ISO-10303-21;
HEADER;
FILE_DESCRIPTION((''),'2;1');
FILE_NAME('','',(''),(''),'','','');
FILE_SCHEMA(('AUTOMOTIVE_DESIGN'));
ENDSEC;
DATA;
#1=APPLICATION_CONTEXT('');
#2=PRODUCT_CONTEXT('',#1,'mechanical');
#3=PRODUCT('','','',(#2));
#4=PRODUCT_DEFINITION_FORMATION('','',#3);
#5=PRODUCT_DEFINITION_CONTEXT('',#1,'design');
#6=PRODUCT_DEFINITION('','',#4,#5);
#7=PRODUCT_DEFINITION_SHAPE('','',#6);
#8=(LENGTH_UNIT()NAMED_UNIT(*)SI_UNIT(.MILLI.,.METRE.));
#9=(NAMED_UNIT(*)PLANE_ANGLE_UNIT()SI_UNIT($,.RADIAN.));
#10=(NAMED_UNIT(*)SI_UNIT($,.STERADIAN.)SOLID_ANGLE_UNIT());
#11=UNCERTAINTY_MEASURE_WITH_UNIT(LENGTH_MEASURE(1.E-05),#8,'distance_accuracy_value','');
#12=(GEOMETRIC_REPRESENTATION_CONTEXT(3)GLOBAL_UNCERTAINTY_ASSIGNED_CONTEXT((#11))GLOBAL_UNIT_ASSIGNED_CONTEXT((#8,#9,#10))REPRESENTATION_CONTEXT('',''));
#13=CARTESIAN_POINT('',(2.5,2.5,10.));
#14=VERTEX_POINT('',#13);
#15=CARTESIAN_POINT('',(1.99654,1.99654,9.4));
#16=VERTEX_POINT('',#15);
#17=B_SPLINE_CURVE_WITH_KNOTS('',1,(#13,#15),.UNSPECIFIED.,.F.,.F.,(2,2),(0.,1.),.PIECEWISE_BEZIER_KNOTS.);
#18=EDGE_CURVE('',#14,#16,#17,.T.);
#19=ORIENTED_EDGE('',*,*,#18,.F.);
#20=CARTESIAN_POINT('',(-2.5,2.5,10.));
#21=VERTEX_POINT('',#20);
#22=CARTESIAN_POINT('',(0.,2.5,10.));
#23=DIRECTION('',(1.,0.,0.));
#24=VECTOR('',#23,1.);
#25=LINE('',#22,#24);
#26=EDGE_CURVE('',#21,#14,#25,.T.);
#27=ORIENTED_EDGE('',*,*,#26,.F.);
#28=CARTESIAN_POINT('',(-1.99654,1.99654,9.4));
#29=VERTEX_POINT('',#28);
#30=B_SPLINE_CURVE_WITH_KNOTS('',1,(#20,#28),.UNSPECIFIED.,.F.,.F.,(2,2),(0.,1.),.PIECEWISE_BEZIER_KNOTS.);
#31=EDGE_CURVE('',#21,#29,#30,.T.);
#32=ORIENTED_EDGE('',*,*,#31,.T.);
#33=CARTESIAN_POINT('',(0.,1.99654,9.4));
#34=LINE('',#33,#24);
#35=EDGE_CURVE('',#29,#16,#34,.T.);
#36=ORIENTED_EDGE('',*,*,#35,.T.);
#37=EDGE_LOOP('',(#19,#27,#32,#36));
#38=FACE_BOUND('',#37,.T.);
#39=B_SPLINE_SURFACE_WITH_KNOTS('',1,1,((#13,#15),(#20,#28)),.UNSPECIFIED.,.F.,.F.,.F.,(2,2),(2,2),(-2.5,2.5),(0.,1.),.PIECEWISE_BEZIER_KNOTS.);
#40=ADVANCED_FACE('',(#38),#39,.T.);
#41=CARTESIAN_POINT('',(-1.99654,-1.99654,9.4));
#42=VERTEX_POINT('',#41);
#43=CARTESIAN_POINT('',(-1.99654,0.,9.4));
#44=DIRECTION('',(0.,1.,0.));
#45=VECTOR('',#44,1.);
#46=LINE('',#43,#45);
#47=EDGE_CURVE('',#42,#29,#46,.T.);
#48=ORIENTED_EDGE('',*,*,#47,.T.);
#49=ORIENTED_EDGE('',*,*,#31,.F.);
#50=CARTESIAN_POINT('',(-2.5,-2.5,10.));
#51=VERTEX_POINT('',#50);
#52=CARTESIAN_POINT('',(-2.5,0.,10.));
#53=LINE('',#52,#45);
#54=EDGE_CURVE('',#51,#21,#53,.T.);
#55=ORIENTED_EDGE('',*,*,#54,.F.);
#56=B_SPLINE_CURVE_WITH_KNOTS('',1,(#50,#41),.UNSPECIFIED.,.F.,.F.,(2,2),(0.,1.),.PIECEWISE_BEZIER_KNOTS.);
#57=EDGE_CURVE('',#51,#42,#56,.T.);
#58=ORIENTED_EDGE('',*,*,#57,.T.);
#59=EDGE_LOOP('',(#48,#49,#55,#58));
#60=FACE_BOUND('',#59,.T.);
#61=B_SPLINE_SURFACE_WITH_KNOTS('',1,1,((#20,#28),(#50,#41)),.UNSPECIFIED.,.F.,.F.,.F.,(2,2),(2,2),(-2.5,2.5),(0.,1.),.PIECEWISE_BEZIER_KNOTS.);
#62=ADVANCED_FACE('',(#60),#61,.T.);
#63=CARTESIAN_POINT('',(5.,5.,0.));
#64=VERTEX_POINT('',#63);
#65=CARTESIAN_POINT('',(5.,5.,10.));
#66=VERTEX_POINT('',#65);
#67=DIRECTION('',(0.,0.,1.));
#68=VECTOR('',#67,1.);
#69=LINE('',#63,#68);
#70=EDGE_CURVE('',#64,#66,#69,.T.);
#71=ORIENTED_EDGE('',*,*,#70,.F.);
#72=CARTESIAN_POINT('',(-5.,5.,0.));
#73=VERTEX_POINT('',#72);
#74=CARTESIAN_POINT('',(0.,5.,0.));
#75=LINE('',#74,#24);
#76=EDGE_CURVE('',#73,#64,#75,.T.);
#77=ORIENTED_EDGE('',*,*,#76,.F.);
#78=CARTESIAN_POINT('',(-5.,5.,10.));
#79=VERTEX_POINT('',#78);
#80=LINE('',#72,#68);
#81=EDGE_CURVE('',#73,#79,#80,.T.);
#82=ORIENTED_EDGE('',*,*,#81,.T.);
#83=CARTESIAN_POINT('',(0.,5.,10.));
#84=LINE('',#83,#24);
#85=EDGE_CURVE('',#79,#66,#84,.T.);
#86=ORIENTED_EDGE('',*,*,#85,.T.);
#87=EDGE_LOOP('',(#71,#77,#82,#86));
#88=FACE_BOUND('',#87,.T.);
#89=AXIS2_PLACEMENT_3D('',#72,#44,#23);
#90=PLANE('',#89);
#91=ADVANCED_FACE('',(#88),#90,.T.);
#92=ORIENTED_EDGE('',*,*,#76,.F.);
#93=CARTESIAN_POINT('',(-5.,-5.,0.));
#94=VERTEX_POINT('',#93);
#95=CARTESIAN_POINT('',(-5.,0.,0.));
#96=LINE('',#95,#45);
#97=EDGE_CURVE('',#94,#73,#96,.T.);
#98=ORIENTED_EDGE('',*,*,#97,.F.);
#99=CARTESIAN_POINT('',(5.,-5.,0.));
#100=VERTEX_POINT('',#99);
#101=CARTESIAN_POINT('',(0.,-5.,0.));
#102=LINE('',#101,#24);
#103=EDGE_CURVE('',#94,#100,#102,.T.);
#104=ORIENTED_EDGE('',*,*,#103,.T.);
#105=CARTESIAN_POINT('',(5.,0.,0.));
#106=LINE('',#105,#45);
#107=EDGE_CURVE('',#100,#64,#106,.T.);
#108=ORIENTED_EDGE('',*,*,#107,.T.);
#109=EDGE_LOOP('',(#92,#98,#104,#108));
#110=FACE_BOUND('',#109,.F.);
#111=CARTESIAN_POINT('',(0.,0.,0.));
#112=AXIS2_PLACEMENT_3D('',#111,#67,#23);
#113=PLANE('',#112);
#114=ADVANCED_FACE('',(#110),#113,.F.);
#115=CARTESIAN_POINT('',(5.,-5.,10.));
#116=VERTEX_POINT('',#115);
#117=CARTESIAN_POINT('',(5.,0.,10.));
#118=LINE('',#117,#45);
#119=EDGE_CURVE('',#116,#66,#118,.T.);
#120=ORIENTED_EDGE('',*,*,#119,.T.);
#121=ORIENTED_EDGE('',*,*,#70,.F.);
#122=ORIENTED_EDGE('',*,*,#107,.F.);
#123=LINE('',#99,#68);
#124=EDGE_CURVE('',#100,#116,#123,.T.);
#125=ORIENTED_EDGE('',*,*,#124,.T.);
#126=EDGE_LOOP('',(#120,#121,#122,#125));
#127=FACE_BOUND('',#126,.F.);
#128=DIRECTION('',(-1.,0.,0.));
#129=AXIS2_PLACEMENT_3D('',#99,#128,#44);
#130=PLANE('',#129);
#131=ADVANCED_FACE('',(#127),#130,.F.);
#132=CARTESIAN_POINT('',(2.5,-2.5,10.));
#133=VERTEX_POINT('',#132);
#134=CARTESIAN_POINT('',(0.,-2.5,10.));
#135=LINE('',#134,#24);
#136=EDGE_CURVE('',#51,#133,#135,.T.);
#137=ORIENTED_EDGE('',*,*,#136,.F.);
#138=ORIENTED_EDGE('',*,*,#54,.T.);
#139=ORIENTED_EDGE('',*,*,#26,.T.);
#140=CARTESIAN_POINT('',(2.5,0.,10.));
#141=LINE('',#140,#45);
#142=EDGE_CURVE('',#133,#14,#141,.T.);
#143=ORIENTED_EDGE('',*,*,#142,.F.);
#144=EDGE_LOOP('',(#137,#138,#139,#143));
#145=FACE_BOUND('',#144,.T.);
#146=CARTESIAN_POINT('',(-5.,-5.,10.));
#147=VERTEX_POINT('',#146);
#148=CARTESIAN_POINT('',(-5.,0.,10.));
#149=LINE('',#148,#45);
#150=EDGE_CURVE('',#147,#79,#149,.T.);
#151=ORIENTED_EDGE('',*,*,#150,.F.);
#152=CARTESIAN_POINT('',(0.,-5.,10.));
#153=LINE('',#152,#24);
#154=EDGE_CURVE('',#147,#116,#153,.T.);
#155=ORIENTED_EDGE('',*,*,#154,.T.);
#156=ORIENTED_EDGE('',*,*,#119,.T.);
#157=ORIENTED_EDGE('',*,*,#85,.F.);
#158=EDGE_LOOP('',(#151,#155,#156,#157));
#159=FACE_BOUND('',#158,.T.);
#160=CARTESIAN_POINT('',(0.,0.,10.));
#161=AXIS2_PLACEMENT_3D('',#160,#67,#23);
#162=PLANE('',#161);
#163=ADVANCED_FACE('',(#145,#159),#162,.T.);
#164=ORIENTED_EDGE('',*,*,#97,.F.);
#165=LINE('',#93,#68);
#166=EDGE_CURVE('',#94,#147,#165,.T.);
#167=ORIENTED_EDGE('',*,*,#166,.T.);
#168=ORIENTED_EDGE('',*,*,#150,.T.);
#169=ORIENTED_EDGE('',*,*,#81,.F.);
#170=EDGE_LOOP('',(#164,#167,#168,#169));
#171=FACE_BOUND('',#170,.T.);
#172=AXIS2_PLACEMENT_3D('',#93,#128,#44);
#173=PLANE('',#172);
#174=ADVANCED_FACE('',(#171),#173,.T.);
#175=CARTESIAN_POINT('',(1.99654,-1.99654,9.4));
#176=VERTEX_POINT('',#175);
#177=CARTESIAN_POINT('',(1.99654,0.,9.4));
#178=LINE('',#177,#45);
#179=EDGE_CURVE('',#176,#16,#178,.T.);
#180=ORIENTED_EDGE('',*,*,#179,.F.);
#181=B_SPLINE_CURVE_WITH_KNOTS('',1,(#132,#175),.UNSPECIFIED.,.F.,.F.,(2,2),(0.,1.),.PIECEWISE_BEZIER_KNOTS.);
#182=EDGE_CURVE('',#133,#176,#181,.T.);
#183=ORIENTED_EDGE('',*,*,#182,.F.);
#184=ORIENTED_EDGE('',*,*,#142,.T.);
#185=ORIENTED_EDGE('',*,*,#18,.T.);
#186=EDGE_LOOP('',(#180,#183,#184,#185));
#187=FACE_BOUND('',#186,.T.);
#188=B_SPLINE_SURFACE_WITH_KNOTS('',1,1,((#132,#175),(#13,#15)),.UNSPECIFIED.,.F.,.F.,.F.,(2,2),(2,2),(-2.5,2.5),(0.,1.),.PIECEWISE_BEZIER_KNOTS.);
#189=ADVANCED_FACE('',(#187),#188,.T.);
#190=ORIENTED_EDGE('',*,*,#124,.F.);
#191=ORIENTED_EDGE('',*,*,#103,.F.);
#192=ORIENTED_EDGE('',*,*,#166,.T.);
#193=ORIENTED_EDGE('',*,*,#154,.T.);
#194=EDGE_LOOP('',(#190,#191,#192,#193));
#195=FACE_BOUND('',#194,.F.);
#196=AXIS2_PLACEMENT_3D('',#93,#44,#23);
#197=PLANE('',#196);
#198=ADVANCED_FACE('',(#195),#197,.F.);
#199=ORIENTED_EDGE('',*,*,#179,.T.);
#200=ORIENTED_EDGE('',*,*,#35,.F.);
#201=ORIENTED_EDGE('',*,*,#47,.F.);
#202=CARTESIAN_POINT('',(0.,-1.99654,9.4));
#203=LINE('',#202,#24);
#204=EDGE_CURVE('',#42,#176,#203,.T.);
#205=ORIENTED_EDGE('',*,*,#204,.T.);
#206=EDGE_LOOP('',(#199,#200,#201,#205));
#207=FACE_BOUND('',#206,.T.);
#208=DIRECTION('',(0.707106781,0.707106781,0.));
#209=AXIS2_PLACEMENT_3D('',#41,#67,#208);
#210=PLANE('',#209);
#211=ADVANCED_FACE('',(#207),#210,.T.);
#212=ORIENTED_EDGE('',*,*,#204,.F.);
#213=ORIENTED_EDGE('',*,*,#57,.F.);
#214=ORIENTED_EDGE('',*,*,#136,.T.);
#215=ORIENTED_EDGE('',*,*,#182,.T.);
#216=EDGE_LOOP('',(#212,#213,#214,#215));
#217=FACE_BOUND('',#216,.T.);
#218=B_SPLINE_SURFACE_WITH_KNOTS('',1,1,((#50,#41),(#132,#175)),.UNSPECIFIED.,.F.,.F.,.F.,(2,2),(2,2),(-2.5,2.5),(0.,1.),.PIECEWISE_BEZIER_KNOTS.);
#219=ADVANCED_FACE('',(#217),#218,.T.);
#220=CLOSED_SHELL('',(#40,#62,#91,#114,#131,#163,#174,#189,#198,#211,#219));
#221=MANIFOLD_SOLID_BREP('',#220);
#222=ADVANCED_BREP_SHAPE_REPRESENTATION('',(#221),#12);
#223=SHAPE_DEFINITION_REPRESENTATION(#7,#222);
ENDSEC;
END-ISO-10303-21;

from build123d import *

# Parameters (mm, degrees)
F0_W     = 10
F0_H     = 10
F1_DEPTH = 10
F2_W     = 5
F2_H     = 5
F3_DEPTH = 0.6
F3_TAPER = 40


with BuildPart() as f1:
    # F0 (on Top) → F1 (new body)
    with BuildSketch(Plane.XY):
        Rectangle(F0_W, F0_H)
    extrude(amount=F1_DEPTH)

    # F2 (on face) → F3 (cut)
    with BuildSketch(Plane.XY.offset(10)):
        Rectangle(F2_W, F2_H)
    extrude(amount=-F3_DEPTH, taper=F3_TAPER, mode=Mode.SUBTRACT)


solid = f1.part
